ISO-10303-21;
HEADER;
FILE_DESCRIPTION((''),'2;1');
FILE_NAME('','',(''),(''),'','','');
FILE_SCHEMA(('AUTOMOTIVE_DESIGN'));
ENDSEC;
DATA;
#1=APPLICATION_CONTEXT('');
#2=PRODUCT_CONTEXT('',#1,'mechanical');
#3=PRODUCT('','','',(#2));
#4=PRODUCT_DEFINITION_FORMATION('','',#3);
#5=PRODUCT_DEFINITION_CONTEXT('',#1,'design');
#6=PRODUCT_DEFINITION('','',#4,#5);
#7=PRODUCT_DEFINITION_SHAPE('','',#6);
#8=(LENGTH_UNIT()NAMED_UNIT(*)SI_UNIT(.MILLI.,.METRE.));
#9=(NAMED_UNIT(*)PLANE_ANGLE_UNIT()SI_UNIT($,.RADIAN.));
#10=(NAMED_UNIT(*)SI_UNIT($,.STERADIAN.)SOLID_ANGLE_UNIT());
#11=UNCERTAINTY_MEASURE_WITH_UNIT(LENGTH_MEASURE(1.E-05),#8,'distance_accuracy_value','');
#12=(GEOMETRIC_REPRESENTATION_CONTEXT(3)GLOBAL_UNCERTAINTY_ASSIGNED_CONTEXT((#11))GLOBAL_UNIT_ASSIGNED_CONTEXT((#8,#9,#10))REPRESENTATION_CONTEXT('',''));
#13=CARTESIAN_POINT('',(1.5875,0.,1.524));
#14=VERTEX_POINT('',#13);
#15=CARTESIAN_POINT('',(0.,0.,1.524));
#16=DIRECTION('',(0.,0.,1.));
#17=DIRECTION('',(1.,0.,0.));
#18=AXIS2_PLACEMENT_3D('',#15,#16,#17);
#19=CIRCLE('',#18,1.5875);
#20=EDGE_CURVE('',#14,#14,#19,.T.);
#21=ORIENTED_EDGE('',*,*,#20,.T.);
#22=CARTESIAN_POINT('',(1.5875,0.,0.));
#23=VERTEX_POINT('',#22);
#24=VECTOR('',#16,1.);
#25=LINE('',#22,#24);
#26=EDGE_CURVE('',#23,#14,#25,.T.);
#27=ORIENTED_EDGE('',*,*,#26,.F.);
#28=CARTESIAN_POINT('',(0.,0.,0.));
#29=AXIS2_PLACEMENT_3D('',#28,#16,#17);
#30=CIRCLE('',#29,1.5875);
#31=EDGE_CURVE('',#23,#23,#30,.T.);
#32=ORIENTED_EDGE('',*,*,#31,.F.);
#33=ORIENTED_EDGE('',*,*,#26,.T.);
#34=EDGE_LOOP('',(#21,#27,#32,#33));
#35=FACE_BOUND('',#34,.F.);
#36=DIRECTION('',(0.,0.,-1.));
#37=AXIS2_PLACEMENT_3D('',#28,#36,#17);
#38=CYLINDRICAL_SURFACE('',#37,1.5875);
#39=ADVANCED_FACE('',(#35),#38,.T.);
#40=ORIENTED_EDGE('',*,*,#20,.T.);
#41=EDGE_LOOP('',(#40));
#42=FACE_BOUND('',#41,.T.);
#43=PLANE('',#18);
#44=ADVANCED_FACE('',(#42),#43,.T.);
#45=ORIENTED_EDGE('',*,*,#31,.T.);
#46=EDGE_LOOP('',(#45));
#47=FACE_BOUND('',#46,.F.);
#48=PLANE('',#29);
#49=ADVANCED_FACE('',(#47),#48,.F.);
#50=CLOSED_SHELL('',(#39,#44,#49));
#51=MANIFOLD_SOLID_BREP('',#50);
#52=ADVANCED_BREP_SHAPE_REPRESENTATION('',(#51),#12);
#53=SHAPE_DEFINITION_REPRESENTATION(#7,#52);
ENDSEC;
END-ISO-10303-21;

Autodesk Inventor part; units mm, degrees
ref_plane "YZ Plane" through (0, 0, 0) normal (1, 0, 0) x (0, 1, 0)
ref_plane "XZ Plane" through (0, 0, 0) normal (0, 1, 0) x (-1, 0, 0)
ref_plane "XY Plane" through (0, 0, 0) normal (0, 0, 1) x (1, 0, 0)
sketch "Sketch2" plane through (0, 0, 0) normal (0, 0, 1) x (1, 0, 0)
  circle A0 centre (0, 0) radius 1.5875
  dimension "d0" = 3.175
extrude "Extrusion1" add sketch "Sketch2" along normal blind 1.524
properties part number "EncoderMagnet" material "Nickel-Copper Alloy 400"
